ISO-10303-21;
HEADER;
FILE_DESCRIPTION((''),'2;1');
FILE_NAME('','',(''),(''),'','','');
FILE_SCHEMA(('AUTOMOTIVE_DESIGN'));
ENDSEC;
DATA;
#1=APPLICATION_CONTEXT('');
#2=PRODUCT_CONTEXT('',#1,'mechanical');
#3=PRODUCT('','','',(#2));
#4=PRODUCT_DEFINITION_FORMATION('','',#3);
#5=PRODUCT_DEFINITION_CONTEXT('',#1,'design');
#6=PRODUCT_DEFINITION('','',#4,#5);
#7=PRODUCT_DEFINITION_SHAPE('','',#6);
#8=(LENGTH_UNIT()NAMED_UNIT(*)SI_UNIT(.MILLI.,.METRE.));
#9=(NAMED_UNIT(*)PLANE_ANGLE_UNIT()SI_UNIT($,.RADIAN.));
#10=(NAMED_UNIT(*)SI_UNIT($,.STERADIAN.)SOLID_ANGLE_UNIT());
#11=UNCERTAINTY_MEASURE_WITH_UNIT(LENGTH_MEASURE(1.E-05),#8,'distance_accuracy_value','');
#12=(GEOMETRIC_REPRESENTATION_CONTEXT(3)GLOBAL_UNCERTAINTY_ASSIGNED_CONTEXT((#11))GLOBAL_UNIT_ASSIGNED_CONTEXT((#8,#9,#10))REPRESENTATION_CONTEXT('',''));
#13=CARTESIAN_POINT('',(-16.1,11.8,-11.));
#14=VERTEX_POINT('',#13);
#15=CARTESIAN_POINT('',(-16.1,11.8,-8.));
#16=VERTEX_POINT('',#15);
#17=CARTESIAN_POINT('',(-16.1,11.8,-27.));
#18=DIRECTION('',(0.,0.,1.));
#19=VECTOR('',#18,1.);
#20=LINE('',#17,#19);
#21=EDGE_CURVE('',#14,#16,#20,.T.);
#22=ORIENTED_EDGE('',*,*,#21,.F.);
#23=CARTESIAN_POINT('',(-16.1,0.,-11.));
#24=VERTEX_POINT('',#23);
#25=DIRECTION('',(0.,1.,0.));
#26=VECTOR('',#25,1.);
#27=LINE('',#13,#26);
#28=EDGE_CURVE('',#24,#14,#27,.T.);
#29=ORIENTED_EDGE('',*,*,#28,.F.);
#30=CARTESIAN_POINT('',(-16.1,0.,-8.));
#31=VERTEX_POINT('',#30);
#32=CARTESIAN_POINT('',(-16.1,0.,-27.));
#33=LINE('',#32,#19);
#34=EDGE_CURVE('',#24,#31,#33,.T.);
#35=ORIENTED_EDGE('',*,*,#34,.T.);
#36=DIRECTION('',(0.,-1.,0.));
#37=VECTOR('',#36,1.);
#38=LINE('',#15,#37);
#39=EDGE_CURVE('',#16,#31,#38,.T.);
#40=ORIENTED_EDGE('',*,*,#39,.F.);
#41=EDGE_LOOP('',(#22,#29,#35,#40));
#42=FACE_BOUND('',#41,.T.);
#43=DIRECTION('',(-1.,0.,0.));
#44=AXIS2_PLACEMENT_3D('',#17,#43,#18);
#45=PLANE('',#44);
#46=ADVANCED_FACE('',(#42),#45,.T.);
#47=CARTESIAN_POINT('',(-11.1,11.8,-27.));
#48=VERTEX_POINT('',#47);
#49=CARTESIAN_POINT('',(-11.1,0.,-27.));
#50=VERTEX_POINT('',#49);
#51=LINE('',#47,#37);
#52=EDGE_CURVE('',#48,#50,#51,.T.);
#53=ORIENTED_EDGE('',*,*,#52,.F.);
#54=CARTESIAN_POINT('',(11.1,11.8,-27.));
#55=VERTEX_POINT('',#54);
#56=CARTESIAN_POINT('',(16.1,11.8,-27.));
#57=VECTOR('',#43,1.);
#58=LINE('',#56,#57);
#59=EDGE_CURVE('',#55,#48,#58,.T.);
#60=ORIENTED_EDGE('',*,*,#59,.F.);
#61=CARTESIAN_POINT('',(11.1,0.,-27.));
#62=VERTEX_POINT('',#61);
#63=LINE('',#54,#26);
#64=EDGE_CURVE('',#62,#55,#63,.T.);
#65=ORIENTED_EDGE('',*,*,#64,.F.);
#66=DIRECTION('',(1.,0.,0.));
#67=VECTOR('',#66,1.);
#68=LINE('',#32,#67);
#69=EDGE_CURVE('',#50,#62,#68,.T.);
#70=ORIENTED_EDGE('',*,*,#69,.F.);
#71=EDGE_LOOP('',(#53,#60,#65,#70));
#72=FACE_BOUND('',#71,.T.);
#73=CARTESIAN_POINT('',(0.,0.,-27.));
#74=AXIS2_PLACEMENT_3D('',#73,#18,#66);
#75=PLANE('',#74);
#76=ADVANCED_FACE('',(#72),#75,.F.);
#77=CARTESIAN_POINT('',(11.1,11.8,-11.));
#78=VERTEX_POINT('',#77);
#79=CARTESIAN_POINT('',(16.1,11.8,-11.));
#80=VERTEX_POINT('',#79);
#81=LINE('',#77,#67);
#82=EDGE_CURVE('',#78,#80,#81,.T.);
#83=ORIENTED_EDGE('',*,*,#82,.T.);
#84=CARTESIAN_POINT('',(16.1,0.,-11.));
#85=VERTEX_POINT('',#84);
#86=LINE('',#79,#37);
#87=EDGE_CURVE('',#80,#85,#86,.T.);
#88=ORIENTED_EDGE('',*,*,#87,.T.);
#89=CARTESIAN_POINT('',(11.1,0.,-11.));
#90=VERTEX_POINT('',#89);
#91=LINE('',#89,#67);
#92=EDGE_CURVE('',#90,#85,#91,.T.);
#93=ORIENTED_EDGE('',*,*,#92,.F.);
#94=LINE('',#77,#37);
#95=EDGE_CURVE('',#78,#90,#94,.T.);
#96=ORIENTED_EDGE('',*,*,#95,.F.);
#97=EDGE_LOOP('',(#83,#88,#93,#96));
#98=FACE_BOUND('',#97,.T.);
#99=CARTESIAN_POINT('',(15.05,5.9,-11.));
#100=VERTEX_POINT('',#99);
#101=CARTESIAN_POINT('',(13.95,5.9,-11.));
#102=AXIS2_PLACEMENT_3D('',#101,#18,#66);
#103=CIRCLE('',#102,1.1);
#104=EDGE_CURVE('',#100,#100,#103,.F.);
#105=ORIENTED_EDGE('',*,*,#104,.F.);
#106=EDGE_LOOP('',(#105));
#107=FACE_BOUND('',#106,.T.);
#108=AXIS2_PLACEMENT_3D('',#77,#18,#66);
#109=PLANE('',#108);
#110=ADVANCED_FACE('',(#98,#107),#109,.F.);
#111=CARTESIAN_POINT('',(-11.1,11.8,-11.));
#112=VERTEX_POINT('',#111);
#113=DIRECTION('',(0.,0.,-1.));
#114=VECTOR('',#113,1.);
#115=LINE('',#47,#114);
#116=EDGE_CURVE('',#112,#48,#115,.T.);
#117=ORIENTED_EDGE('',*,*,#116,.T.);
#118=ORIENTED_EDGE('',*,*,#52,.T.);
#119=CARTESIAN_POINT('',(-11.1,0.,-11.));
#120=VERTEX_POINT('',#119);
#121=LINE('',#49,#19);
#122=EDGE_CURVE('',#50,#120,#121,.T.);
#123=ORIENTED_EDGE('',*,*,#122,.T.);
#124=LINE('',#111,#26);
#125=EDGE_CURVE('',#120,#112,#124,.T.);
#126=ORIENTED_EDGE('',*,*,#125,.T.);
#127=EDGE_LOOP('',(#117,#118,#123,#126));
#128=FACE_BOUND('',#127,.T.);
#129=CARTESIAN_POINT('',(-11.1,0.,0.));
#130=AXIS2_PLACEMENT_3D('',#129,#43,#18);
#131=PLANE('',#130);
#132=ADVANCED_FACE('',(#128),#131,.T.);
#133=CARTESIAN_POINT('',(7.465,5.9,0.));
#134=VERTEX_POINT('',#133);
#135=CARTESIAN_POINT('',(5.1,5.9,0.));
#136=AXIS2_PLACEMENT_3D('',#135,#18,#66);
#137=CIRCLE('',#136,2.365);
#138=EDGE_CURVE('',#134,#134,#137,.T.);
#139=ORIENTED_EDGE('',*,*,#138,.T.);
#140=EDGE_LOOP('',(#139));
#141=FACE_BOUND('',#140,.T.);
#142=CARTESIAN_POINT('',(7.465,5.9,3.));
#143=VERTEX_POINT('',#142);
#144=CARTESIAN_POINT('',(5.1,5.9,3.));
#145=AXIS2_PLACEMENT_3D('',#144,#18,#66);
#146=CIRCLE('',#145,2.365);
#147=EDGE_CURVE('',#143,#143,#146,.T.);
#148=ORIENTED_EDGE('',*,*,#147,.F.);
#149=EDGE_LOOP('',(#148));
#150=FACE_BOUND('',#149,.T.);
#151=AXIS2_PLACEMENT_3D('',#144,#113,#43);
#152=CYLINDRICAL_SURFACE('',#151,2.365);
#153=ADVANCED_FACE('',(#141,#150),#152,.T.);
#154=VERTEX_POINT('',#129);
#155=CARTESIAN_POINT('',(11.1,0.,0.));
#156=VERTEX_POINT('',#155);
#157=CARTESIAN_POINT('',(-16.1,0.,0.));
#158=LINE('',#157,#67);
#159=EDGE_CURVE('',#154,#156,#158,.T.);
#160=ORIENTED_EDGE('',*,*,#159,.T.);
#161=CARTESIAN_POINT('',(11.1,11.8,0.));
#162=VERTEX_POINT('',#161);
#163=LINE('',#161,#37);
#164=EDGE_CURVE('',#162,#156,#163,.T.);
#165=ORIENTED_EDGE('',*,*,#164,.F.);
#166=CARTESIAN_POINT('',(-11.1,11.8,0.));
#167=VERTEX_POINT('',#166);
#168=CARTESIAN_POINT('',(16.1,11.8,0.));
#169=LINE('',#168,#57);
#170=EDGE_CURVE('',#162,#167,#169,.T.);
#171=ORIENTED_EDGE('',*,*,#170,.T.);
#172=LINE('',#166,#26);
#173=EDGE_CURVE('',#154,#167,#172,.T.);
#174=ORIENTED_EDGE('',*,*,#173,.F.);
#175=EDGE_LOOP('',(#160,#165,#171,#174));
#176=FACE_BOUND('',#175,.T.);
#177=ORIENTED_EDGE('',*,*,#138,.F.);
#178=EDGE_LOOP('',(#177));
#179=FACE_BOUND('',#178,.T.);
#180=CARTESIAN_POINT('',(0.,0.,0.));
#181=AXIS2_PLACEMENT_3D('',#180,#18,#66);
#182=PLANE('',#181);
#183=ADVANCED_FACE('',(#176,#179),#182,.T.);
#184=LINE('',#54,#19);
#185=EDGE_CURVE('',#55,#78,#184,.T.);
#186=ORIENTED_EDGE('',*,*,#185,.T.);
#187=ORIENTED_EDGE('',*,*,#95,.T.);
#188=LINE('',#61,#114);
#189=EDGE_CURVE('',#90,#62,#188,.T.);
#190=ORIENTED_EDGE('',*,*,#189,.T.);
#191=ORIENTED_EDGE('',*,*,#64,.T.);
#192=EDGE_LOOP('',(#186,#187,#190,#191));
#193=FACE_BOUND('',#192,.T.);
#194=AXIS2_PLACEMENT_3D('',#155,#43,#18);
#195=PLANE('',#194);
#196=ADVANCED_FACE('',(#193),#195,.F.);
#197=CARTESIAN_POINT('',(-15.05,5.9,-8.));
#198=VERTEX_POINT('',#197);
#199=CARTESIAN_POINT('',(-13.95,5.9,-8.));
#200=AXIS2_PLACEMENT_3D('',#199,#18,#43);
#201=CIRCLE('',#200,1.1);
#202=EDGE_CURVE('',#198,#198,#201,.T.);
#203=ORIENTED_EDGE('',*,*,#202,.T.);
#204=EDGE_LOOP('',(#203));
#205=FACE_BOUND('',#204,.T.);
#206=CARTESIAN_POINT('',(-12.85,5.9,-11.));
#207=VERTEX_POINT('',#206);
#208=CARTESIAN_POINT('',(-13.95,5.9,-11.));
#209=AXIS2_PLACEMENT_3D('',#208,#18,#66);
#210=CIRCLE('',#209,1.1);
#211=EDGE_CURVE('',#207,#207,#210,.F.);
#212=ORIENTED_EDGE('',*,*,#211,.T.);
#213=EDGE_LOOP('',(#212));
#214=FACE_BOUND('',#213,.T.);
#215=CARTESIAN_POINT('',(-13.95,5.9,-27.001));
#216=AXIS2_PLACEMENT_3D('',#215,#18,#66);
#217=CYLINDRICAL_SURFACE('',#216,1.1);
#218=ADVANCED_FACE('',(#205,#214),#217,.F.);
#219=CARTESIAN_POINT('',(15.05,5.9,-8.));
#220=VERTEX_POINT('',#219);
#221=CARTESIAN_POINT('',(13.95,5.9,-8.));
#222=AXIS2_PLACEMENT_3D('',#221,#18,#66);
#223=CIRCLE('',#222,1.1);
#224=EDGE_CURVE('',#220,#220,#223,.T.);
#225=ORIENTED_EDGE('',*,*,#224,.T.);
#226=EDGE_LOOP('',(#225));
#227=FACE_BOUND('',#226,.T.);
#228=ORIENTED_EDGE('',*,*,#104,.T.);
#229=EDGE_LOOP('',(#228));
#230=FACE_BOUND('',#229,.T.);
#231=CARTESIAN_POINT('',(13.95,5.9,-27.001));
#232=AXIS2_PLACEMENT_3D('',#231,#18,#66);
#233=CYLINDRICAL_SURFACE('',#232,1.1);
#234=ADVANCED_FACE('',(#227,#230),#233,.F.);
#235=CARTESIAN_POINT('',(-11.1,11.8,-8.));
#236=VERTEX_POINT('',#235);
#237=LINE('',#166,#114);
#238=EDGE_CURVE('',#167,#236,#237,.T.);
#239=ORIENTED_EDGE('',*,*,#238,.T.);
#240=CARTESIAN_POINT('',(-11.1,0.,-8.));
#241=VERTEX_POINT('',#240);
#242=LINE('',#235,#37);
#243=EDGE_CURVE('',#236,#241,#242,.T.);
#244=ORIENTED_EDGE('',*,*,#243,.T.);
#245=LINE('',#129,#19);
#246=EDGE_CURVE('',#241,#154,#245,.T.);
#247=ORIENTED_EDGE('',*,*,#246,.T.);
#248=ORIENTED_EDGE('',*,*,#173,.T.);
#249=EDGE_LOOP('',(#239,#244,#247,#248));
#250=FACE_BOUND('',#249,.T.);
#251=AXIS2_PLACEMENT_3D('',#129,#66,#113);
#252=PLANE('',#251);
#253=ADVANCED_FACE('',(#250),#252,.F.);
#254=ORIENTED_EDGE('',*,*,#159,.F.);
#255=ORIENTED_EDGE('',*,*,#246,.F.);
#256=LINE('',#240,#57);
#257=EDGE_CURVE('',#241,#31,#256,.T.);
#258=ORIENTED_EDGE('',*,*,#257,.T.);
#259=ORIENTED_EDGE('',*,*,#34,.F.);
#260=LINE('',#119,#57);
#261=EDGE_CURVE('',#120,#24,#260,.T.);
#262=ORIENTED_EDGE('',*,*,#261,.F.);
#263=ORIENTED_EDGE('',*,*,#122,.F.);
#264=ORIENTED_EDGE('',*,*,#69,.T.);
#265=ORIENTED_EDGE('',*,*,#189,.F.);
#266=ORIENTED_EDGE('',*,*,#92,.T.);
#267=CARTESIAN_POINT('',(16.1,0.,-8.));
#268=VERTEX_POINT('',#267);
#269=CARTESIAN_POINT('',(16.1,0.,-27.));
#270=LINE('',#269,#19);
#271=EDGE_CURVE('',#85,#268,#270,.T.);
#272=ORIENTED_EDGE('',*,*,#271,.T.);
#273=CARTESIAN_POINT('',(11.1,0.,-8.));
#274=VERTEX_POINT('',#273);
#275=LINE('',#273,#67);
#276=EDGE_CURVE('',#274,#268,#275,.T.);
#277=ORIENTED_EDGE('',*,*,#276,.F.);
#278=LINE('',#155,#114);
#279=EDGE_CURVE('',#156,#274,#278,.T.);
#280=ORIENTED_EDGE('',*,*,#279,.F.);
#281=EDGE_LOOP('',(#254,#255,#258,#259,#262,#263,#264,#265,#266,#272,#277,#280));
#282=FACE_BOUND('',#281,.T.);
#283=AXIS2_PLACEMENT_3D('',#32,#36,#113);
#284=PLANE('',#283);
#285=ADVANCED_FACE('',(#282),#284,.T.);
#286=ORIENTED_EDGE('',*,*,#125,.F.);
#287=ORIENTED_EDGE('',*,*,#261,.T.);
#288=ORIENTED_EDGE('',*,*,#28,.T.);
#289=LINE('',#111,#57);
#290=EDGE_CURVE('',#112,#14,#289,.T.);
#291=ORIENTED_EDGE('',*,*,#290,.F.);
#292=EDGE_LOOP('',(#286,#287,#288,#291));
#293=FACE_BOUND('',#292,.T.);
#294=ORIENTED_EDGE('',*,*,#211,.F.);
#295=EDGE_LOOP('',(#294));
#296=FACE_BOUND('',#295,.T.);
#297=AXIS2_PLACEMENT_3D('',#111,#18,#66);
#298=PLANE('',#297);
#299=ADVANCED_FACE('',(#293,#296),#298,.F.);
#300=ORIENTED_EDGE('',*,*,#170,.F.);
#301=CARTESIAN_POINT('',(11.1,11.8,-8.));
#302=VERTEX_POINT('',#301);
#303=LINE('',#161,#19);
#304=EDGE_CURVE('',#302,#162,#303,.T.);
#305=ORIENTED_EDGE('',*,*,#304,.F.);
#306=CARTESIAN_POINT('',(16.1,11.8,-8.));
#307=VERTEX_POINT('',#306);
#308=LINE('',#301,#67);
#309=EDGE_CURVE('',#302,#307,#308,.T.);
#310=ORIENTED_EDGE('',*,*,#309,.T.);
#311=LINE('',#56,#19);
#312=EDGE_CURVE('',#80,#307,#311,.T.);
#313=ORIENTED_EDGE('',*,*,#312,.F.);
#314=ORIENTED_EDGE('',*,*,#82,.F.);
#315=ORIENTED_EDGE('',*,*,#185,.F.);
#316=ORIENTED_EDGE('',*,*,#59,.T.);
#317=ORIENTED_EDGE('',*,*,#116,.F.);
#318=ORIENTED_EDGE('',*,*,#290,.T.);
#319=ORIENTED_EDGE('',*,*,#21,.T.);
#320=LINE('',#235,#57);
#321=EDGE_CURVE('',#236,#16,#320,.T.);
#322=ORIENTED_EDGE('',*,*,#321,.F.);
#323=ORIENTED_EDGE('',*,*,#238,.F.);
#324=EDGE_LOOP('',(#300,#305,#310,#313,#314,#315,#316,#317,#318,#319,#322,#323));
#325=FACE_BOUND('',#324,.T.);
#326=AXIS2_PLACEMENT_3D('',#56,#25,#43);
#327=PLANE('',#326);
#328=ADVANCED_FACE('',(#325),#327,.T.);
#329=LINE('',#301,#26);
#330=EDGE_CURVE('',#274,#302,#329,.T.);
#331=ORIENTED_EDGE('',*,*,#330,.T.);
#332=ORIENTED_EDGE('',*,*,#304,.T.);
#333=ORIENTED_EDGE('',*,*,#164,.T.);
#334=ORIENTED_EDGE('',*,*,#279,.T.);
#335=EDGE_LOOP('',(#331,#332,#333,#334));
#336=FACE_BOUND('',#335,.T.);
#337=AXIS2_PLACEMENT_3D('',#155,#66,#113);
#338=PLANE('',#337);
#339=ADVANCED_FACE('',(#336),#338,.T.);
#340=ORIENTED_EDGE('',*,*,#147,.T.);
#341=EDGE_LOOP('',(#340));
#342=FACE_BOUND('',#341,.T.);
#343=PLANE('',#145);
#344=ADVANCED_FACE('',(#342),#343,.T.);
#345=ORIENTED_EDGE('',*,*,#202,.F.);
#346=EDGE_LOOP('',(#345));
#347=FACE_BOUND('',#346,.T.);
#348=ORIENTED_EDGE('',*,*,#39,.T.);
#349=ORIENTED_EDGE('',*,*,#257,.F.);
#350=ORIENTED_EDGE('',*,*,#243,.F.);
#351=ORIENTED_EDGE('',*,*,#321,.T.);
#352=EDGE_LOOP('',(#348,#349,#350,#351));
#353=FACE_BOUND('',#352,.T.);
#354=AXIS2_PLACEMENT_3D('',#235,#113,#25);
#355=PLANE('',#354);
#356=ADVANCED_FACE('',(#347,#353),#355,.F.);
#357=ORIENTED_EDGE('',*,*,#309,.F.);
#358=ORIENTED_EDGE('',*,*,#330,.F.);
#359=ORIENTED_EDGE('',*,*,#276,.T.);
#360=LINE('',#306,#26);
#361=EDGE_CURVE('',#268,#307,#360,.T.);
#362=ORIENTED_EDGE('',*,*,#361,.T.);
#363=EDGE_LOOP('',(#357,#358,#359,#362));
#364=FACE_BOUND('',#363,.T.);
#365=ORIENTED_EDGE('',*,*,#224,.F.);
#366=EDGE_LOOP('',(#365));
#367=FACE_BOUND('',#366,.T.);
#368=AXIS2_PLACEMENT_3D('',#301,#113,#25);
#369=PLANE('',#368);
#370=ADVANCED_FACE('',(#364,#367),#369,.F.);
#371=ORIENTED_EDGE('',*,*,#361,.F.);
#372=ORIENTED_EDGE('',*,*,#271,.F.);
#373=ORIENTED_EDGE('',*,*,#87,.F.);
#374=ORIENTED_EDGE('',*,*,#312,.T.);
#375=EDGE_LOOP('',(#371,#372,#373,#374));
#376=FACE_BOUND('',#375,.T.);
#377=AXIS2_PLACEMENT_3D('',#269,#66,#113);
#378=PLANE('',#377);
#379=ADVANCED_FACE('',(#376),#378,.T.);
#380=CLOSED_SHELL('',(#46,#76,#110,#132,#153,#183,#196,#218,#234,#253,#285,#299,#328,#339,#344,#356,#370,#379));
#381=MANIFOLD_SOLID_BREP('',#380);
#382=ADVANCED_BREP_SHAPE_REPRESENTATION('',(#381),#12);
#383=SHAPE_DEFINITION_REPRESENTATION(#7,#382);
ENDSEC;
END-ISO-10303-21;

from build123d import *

# Parameters (mm, degrees)
SKETCH1_W           = 32.2
SKETCH1_H           = 11.8
BOSS_EXTRUDE1_DEPTH = 27
SKETCH2_R           = 2.365
BOSS_EXTRUDE2_DEPTH = 3
SKETCH4_W           = 16
SKETCH4_H           = 11.8
CUT_EXTRUDE1_DEPTH  = 5
SKETCH5_W           = 16
SKETCH5_H           = 11.8
CUT_EXTRUDE2_DEPTH  = 5
SKETCH6_W           = 8
SKETCH6_H           = 11.8
CUT_EXTRUDE3_DEPTH  = 5
SKETCH7_W           = 8
SKETCH7_H           = 11.8
CUT_EXTRUDE4_DEPTH  = 5
CUT_EXTRUDE5_REACH  = 21
SKETCH8_R           = 1.1


with BuildPart() as part:
    # Sketch1 → Boss-Extrude1 (new body)
    with BuildSketch(Plane.XY):
        with Locations((0, 5.9)):
            Rectangle(SKETCH1_W, SKETCH1_H)
    extrude(amount=-BOSS_EXTRUDE1_DEPTH)

    # Sketch2 → Boss-Extrude2 (add)
    with BuildSketch(Plane.XY):
        with Locations((5.1, 5.9)):
            Circle(SKETCH2_R)
    extrude(amount=BOSS_EXTRUDE2_DEPTH)

    # Sketch4 → Cut-Extrude1 (cut)
    with BuildSketch(Plane(origin=(16.1, 0, 0), x_dir=(0, 0, -1), z_dir=(1, 0, 0))):
        with Locations((19, 5.9)):
            Rectangle(SKETCH4_W, SKETCH4_H)
    extrude(amount=-CUT_EXTRUDE1_DEPTH, mode=Mode.SUBTRACT)

    # Sketch5 → Cut-Extrude2 (cut)
    with BuildSketch(Plane.ZY.offset(16.1)):
        with Locations((-19, 5.9)):
            Rectangle(SKETCH5_W, SKETCH5_H)
    extrude(amount=-CUT_EXTRUDE2_DEPTH, mode=Mode.SUBTRACT)

    # Sketch6 → Cut-Extrude3 (cut)
    with BuildSketch(Plane.ZY.offset(16.1)):
        with Locations((-4, 5.9)):
            Rectangle(SKETCH6_W, SKETCH6_H)
    extrude(amount=-CUT_EXTRUDE3_DEPTH, mode=Mode.SUBTRACT)

    # Sketch7 → Cut-Extrude4 (cut)
    with BuildSketch(Plane(origin=(16.1, 0, 0), x_dir=(0, 0, -1), z_dir=(1, 0, 0))):
        with Locations((4, 5.9)):
            Rectangle(SKETCH7_W, SKETCH7_H)
    extrude(amount=-CUT_EXTRUDE4_DEPTH, mode=Mode.SUBTRACT)

    # Sketch8 → Cut-Extrude5 (cut, up to next)
    with BuildSketch(Plane.XY.offset(-8), mode=Mode.PRIVATE) as cut_extrude5_sk1:
        with Locations((13.95, 5.9)):
            Circle(SKETCH8_R)
    cut_extrude5_tool1 = extrude(cut_extrude5_sk1.sketch, amount=-CUT_EXTRUDE5_REACH, mode=Mode.PRIVATE) & part.part
    add(cut_extrude5_tool1.solids().sort_by_distance((13.95, 5.9, -8))[0], mode=Mode.SUBTRACT)
    # Sketch8 → Cut-Extrude5 (cut, up to next)
    with BuildSketch(Plane.XY.offset(-8), mode=Mode.PRIVATE) as cut_extrude5_sk2:
        with Locations((-13.95, 5.9)):
            Circle(SKETCH8_R)
    cut_extrude5_tool2 = extrude(cut_extrude5_sk2.sketch, amount=-CUT_EXTRUDE5_REACH, mode=Mode.PRIVATE) & part.part
    add(cut_extrude5_tool2.solids().sort_by_distance((-13.95, 5.9, -8))[0], mode=Mode.SUBTRACT)


solid = part.part
